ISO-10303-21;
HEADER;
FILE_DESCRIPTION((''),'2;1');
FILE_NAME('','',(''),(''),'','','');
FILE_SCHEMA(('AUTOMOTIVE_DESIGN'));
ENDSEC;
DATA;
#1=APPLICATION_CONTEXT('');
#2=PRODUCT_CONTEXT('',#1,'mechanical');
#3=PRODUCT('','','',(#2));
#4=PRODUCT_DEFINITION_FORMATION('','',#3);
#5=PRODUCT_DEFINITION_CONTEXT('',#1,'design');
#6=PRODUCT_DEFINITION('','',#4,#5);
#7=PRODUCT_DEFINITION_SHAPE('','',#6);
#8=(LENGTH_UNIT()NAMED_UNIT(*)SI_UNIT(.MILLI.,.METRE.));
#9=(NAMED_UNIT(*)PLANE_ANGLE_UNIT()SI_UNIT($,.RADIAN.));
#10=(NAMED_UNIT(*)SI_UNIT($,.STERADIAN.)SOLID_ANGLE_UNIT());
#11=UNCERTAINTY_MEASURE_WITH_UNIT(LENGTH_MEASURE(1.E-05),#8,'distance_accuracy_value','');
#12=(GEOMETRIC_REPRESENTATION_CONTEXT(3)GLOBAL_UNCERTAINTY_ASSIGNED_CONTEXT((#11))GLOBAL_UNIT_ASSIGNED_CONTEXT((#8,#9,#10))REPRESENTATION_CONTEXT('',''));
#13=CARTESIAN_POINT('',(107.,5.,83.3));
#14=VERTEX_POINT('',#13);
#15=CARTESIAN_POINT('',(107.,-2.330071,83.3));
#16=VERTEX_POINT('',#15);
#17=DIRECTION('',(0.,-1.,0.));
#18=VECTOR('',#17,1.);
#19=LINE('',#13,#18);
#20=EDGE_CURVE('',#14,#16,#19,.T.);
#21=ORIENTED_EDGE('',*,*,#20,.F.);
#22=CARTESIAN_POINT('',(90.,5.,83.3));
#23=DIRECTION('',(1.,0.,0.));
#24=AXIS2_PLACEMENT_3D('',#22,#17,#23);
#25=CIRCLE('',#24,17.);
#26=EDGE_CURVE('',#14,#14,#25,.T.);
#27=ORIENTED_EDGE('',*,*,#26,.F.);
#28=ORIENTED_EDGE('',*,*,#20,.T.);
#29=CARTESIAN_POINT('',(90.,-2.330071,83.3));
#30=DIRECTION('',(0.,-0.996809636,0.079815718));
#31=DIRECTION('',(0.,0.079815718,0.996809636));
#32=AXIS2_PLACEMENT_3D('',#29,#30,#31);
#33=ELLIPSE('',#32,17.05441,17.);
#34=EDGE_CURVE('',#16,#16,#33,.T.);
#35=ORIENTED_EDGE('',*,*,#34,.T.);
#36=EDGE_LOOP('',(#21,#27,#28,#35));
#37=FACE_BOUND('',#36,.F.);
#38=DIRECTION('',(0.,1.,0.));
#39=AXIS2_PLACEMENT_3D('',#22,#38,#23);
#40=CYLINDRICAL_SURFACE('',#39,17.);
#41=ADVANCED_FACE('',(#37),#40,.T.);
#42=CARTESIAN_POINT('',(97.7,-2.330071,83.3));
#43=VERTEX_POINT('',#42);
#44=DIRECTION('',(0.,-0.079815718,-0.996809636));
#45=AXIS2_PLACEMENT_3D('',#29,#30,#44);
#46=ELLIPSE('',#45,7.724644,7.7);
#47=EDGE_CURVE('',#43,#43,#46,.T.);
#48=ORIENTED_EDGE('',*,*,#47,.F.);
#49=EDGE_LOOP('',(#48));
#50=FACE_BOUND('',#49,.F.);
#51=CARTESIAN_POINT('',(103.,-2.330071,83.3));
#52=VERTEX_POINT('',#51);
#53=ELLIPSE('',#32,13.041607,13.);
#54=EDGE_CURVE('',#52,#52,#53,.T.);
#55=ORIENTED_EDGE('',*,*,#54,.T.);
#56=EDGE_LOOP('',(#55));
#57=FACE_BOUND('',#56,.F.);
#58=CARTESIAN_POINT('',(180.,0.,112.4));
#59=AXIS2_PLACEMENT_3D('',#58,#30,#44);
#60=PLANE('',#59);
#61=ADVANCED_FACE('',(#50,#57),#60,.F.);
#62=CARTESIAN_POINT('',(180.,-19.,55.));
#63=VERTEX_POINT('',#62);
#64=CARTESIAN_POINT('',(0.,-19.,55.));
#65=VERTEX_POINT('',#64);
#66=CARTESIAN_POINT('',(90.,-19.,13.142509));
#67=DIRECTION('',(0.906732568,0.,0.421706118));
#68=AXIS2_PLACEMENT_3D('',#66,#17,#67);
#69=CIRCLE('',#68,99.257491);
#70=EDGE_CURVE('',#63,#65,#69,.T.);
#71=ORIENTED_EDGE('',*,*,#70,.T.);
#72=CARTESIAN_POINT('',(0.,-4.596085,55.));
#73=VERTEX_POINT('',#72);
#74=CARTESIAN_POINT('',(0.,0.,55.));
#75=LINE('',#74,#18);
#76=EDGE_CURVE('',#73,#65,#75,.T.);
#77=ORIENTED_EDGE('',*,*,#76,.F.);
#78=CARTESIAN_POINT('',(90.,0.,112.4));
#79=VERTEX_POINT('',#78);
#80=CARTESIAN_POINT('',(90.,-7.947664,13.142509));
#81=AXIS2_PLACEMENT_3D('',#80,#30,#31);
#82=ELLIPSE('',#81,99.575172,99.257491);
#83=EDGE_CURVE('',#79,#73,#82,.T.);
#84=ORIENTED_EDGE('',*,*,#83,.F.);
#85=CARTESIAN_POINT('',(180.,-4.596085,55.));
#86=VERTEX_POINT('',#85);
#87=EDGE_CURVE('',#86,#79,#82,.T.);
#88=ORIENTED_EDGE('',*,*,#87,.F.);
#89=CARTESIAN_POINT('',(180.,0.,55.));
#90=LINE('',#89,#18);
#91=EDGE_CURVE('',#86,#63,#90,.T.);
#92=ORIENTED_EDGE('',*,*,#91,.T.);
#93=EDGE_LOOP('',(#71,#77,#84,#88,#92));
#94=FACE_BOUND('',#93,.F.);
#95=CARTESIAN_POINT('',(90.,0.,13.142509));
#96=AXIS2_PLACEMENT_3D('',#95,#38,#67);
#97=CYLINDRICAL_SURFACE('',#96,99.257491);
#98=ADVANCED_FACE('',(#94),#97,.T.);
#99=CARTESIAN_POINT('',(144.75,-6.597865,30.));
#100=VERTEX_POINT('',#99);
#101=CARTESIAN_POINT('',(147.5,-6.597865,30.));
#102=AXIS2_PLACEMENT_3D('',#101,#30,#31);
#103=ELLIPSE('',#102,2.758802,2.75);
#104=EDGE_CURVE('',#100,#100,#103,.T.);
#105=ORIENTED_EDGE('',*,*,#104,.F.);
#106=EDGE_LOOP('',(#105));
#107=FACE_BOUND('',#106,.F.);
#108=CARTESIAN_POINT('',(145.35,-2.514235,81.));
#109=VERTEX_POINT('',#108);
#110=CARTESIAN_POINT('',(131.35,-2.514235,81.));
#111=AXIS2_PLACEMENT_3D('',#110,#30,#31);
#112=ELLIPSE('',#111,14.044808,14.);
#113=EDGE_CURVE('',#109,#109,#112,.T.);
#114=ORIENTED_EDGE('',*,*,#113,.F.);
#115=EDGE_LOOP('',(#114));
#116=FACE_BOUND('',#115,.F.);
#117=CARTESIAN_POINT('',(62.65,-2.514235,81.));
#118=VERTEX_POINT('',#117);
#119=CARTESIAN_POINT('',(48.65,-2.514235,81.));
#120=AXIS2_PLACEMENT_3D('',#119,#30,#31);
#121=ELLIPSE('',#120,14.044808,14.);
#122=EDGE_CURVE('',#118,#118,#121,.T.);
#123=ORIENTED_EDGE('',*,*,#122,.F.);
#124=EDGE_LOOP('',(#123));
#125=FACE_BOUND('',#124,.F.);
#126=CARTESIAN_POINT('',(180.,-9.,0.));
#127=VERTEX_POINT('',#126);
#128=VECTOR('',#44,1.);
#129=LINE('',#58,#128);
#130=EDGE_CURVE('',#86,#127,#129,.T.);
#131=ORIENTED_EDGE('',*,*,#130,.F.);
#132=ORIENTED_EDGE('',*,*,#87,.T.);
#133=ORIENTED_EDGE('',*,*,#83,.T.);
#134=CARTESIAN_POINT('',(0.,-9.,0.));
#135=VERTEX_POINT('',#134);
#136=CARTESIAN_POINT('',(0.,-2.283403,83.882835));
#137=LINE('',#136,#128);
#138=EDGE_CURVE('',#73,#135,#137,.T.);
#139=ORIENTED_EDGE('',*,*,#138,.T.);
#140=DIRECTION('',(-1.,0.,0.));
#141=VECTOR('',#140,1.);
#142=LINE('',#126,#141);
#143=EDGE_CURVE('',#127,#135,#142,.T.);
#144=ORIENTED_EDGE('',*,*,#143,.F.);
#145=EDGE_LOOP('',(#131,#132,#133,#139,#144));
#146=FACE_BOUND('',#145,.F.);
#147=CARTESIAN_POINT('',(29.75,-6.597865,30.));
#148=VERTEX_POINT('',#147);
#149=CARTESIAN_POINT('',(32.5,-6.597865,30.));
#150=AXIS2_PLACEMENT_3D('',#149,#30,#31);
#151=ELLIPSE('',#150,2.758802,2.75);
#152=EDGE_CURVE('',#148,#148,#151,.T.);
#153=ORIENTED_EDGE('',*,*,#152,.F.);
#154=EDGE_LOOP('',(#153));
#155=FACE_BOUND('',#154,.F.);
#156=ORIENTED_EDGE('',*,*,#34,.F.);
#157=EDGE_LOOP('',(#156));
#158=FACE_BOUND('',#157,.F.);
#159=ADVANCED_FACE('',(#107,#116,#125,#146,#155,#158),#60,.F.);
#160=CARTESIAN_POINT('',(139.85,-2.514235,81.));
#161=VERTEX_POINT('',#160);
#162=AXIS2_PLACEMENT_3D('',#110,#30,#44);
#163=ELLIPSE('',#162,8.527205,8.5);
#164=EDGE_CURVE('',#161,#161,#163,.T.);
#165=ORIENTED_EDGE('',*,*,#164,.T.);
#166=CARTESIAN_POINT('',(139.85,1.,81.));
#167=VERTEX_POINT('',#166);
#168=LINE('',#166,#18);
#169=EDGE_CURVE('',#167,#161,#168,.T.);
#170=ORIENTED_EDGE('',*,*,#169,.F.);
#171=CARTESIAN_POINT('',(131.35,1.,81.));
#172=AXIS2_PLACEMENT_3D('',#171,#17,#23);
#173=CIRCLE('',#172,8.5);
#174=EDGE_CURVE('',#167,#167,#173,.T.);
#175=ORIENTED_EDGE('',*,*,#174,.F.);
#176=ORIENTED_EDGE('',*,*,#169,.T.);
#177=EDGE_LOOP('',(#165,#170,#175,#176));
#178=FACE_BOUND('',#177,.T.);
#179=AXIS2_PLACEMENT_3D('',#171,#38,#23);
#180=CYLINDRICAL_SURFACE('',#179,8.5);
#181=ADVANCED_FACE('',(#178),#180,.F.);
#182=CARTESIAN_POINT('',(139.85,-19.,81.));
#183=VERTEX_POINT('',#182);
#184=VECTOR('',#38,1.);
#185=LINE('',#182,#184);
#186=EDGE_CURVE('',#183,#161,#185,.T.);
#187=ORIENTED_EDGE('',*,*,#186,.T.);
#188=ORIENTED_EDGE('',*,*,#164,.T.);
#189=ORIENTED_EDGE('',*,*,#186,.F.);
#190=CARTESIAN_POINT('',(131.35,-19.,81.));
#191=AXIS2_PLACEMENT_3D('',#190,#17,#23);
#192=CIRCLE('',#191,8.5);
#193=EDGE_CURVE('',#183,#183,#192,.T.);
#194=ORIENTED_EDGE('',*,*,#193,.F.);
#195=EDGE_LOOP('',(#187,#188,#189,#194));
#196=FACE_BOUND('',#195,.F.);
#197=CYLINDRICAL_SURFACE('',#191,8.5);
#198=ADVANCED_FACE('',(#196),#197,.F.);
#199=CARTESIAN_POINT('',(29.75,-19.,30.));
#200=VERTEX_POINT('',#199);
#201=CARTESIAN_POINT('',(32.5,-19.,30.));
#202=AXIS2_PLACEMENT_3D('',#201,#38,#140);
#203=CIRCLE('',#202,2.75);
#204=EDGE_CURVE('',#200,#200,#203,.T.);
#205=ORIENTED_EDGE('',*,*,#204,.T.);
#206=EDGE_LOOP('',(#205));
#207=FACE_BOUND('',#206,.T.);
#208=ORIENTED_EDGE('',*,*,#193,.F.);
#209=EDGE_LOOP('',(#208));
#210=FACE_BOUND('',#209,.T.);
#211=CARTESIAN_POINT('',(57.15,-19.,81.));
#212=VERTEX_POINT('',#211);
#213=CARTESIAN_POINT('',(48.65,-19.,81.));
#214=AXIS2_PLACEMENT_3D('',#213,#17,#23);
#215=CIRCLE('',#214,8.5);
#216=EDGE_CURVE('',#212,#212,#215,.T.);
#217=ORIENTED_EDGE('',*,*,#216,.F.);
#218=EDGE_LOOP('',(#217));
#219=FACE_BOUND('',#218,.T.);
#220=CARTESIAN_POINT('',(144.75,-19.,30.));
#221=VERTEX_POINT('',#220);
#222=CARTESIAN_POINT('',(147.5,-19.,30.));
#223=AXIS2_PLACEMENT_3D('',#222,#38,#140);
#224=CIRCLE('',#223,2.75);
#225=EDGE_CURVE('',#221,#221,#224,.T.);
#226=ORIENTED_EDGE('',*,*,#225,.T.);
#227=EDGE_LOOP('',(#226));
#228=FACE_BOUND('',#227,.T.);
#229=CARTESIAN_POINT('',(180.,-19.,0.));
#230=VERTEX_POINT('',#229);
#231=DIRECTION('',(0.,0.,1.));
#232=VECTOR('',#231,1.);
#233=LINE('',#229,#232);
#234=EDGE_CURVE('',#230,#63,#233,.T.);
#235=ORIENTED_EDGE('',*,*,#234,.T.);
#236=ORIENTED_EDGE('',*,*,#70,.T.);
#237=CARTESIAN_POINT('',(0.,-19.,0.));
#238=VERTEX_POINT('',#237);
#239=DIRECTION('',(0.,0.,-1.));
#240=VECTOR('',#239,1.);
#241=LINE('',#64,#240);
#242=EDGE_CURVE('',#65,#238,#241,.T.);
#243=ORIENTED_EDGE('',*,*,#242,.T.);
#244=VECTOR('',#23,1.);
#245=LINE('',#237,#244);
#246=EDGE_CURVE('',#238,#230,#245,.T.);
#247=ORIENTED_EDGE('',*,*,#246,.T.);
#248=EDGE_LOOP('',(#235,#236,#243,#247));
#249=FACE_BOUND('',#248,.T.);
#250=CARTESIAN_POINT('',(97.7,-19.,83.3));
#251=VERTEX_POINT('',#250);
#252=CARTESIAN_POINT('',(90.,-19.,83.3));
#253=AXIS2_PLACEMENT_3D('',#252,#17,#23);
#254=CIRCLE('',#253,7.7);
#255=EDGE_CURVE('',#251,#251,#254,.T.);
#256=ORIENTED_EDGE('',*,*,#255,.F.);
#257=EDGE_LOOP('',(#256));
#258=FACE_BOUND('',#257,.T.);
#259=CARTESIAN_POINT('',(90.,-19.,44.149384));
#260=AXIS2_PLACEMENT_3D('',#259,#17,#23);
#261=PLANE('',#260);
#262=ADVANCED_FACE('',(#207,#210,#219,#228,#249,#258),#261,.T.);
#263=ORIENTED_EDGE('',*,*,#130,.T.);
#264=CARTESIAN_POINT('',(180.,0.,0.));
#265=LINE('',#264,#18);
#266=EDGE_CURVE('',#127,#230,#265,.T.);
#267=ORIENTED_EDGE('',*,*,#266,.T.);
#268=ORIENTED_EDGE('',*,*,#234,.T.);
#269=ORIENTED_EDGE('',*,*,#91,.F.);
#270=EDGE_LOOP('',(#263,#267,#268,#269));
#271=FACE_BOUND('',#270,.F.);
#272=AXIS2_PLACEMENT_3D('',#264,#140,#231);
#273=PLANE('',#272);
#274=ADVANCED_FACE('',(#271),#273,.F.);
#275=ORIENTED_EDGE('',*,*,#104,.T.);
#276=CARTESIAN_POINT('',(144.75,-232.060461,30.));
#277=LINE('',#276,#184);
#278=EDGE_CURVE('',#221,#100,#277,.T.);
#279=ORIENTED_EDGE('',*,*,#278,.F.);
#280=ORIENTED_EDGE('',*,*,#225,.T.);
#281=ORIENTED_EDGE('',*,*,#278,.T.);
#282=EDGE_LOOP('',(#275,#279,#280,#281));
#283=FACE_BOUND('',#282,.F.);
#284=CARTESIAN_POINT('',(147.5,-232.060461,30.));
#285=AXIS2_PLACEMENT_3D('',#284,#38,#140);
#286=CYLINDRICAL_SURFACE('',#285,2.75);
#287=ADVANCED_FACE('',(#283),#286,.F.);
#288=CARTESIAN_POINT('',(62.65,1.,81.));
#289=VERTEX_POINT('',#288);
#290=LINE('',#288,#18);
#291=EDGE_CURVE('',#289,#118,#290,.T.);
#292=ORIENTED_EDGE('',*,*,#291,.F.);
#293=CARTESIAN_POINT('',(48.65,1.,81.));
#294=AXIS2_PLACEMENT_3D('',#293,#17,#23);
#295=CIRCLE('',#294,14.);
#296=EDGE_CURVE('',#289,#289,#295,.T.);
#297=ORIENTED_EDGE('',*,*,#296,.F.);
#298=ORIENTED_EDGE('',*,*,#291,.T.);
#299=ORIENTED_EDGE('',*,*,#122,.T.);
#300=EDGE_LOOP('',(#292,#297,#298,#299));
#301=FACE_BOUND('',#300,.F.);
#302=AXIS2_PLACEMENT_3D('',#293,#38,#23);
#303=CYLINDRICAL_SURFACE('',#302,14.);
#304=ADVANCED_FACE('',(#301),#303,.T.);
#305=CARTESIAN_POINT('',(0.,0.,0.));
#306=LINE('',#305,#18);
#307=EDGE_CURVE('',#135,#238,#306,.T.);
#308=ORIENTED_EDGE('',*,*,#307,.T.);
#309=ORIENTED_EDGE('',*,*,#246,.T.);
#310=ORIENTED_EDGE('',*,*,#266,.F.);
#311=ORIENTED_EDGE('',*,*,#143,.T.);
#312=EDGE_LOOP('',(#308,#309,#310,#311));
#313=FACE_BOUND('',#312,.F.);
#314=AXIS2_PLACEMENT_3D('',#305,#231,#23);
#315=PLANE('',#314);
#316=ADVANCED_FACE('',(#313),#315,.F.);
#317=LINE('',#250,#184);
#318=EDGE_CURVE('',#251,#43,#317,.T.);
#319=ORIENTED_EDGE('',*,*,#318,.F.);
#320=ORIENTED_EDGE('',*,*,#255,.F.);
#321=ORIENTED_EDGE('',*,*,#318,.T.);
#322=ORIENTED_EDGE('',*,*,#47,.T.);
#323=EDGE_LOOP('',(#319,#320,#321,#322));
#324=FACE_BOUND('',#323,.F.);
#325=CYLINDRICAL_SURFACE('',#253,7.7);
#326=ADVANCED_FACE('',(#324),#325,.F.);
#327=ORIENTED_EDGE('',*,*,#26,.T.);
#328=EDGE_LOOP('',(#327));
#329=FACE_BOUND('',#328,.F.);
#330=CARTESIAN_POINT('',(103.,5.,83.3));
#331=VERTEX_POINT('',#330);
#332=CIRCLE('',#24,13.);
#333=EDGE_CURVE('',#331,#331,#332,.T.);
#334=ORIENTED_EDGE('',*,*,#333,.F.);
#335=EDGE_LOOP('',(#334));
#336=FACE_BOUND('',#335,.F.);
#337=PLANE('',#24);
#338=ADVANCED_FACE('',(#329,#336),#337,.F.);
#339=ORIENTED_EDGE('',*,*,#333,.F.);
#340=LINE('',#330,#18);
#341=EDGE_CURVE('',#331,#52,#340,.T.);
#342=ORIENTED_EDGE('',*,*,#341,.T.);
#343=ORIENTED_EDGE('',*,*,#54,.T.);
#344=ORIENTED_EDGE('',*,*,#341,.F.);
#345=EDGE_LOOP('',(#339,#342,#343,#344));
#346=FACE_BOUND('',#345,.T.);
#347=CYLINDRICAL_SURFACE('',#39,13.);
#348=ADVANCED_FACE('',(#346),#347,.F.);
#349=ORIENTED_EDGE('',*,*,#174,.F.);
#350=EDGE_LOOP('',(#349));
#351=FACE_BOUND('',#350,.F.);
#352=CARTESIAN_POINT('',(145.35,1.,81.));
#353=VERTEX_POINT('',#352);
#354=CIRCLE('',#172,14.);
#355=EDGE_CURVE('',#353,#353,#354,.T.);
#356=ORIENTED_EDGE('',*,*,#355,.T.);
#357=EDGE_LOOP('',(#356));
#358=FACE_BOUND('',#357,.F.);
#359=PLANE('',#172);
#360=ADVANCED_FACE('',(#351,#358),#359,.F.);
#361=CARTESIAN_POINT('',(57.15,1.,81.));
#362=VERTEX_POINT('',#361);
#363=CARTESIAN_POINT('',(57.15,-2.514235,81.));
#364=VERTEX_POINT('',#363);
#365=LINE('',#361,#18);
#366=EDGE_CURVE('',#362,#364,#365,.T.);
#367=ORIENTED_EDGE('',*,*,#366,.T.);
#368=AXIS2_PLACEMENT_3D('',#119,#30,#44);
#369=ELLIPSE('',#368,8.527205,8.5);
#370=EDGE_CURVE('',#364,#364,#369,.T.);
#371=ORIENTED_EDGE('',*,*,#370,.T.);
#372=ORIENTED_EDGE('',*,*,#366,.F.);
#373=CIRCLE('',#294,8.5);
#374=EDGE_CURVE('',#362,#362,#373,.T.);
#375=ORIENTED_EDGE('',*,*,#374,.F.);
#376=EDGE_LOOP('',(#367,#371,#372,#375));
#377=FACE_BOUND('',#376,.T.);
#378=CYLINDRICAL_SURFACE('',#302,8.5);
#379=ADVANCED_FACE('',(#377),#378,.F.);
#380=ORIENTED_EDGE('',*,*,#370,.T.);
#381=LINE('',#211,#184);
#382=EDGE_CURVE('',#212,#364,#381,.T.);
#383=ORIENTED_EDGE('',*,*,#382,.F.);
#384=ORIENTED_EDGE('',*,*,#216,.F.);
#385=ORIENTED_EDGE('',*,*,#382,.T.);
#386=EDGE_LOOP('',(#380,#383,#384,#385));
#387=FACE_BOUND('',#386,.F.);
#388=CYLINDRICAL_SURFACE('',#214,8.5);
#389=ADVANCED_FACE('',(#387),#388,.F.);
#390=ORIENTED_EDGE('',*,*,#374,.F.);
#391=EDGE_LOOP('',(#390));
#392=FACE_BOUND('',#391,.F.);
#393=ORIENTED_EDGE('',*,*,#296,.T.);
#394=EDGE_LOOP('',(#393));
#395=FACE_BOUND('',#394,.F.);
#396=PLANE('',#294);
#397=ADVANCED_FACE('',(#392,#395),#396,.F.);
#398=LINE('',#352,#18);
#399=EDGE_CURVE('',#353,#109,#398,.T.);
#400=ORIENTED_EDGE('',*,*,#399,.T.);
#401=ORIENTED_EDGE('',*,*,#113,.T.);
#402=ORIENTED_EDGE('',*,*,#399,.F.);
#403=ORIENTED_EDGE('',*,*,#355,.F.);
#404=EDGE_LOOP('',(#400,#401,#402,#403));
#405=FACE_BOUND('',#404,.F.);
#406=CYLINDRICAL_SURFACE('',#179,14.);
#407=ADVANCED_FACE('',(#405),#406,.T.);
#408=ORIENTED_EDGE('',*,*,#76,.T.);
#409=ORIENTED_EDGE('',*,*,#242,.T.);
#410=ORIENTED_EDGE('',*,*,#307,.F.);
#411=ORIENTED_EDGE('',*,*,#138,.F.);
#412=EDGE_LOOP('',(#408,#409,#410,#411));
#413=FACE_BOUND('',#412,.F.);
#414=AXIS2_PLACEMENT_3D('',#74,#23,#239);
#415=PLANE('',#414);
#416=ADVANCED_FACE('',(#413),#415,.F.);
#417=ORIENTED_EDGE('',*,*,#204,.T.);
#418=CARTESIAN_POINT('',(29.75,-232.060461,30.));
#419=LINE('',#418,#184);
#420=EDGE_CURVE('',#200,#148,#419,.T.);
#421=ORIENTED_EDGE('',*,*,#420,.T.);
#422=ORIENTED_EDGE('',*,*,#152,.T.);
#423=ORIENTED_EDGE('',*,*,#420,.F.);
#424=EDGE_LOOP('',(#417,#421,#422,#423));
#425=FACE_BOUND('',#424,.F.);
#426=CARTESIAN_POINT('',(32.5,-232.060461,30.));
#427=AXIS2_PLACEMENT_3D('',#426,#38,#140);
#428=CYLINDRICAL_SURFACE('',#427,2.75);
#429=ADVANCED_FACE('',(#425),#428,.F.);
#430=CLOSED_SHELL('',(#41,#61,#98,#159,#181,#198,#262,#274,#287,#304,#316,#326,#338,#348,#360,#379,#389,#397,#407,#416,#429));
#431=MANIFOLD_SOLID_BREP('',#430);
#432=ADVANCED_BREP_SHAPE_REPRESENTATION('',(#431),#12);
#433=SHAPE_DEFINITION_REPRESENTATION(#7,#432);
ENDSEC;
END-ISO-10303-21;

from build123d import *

# Parameters (mm, degrees)
F1_DEPTH = 19
F3_DEPTH = 180.001
F5_D     = 5.5
F6_R     = 7.7
F6_R_2   = 8.5
F7_DEPTH = 19.001
F9_R     = 17
F9_R_2   = 13
F12_R    = 14
F12_R_2  = 8.5


with BuildPart() as f1:
    # F0 (on Front) → F1 (new body)
    with BuildSketch(Plane.XZ):
        with BuildLine():
            Line((0, 55), (0, 0))
            Line((0, 0), (180, 0))
            Line((180, 0), (180, 55))
            ThreePointArc((180, 55), (90, 112.4), (0, 55))
        make_face()
    extrude(amount=F1_DEPTH)

    # F2 (on face) → F3 (cut, through all)
    with BuildSketch(Plane.YZ.offset(180)):
        Polygon((0, 112.4), (-9, 0), (0, 0), align=None)
    extrude(amount=-F3_DEPTH, mode=Mode.SUBTRACT)

    # F5 (through all)
    with Locations(Plane.XZ.offset(19)):
        with Locations((32.5, 30), (147.5, 30)):
            Hole(F5_D / 2)

    # F6 (on face) → F7 (cut, through all)
    with BuildSketch(Plane.XZ.offset(19)):
        with Locations((90, 83.3)):
            Circle(F6_R)
        with Locations((131.35, 81)):
            Circle(F6_R_2)
        with Locations((48.65, 81)):
            Circle(F6_R_2)
    extrude(amount=-F7_DEPTH, mode=Mode.SUBTRACT)

    # F9 (on offset) → F10 (join, up to the next surface of F1)
    with BuildSketch(Plane.XZ.offset(-5)):
        with Locations((90, 83.3)):
            Circle(F9_R)
        with Locations((90, 83.3)):
            Circle(F9_R_2, mode=Mode.SUBTRACT)
    extrude(until=Until.NEXT)

    # F12 (on offset) → F13 (join, up to the next surface of F1)
    with BuildSketch(Plane.XZ.offset(-1)):
        with Locations((131.35, 81)):
            Circle(F12_R)
        with Locations((131.35, 81)):
            Circle(F12_R_2, mode=Mode.SUBTRACT)
        with Locations((48.65, 81)):
            Circle(F12_R)
        with Locations((48.65, 81)):
            Circle(F12_R_2, mode=Mode.SUBTRACT)
    extrude(until=Until.NEXT)


solid = f1.part
